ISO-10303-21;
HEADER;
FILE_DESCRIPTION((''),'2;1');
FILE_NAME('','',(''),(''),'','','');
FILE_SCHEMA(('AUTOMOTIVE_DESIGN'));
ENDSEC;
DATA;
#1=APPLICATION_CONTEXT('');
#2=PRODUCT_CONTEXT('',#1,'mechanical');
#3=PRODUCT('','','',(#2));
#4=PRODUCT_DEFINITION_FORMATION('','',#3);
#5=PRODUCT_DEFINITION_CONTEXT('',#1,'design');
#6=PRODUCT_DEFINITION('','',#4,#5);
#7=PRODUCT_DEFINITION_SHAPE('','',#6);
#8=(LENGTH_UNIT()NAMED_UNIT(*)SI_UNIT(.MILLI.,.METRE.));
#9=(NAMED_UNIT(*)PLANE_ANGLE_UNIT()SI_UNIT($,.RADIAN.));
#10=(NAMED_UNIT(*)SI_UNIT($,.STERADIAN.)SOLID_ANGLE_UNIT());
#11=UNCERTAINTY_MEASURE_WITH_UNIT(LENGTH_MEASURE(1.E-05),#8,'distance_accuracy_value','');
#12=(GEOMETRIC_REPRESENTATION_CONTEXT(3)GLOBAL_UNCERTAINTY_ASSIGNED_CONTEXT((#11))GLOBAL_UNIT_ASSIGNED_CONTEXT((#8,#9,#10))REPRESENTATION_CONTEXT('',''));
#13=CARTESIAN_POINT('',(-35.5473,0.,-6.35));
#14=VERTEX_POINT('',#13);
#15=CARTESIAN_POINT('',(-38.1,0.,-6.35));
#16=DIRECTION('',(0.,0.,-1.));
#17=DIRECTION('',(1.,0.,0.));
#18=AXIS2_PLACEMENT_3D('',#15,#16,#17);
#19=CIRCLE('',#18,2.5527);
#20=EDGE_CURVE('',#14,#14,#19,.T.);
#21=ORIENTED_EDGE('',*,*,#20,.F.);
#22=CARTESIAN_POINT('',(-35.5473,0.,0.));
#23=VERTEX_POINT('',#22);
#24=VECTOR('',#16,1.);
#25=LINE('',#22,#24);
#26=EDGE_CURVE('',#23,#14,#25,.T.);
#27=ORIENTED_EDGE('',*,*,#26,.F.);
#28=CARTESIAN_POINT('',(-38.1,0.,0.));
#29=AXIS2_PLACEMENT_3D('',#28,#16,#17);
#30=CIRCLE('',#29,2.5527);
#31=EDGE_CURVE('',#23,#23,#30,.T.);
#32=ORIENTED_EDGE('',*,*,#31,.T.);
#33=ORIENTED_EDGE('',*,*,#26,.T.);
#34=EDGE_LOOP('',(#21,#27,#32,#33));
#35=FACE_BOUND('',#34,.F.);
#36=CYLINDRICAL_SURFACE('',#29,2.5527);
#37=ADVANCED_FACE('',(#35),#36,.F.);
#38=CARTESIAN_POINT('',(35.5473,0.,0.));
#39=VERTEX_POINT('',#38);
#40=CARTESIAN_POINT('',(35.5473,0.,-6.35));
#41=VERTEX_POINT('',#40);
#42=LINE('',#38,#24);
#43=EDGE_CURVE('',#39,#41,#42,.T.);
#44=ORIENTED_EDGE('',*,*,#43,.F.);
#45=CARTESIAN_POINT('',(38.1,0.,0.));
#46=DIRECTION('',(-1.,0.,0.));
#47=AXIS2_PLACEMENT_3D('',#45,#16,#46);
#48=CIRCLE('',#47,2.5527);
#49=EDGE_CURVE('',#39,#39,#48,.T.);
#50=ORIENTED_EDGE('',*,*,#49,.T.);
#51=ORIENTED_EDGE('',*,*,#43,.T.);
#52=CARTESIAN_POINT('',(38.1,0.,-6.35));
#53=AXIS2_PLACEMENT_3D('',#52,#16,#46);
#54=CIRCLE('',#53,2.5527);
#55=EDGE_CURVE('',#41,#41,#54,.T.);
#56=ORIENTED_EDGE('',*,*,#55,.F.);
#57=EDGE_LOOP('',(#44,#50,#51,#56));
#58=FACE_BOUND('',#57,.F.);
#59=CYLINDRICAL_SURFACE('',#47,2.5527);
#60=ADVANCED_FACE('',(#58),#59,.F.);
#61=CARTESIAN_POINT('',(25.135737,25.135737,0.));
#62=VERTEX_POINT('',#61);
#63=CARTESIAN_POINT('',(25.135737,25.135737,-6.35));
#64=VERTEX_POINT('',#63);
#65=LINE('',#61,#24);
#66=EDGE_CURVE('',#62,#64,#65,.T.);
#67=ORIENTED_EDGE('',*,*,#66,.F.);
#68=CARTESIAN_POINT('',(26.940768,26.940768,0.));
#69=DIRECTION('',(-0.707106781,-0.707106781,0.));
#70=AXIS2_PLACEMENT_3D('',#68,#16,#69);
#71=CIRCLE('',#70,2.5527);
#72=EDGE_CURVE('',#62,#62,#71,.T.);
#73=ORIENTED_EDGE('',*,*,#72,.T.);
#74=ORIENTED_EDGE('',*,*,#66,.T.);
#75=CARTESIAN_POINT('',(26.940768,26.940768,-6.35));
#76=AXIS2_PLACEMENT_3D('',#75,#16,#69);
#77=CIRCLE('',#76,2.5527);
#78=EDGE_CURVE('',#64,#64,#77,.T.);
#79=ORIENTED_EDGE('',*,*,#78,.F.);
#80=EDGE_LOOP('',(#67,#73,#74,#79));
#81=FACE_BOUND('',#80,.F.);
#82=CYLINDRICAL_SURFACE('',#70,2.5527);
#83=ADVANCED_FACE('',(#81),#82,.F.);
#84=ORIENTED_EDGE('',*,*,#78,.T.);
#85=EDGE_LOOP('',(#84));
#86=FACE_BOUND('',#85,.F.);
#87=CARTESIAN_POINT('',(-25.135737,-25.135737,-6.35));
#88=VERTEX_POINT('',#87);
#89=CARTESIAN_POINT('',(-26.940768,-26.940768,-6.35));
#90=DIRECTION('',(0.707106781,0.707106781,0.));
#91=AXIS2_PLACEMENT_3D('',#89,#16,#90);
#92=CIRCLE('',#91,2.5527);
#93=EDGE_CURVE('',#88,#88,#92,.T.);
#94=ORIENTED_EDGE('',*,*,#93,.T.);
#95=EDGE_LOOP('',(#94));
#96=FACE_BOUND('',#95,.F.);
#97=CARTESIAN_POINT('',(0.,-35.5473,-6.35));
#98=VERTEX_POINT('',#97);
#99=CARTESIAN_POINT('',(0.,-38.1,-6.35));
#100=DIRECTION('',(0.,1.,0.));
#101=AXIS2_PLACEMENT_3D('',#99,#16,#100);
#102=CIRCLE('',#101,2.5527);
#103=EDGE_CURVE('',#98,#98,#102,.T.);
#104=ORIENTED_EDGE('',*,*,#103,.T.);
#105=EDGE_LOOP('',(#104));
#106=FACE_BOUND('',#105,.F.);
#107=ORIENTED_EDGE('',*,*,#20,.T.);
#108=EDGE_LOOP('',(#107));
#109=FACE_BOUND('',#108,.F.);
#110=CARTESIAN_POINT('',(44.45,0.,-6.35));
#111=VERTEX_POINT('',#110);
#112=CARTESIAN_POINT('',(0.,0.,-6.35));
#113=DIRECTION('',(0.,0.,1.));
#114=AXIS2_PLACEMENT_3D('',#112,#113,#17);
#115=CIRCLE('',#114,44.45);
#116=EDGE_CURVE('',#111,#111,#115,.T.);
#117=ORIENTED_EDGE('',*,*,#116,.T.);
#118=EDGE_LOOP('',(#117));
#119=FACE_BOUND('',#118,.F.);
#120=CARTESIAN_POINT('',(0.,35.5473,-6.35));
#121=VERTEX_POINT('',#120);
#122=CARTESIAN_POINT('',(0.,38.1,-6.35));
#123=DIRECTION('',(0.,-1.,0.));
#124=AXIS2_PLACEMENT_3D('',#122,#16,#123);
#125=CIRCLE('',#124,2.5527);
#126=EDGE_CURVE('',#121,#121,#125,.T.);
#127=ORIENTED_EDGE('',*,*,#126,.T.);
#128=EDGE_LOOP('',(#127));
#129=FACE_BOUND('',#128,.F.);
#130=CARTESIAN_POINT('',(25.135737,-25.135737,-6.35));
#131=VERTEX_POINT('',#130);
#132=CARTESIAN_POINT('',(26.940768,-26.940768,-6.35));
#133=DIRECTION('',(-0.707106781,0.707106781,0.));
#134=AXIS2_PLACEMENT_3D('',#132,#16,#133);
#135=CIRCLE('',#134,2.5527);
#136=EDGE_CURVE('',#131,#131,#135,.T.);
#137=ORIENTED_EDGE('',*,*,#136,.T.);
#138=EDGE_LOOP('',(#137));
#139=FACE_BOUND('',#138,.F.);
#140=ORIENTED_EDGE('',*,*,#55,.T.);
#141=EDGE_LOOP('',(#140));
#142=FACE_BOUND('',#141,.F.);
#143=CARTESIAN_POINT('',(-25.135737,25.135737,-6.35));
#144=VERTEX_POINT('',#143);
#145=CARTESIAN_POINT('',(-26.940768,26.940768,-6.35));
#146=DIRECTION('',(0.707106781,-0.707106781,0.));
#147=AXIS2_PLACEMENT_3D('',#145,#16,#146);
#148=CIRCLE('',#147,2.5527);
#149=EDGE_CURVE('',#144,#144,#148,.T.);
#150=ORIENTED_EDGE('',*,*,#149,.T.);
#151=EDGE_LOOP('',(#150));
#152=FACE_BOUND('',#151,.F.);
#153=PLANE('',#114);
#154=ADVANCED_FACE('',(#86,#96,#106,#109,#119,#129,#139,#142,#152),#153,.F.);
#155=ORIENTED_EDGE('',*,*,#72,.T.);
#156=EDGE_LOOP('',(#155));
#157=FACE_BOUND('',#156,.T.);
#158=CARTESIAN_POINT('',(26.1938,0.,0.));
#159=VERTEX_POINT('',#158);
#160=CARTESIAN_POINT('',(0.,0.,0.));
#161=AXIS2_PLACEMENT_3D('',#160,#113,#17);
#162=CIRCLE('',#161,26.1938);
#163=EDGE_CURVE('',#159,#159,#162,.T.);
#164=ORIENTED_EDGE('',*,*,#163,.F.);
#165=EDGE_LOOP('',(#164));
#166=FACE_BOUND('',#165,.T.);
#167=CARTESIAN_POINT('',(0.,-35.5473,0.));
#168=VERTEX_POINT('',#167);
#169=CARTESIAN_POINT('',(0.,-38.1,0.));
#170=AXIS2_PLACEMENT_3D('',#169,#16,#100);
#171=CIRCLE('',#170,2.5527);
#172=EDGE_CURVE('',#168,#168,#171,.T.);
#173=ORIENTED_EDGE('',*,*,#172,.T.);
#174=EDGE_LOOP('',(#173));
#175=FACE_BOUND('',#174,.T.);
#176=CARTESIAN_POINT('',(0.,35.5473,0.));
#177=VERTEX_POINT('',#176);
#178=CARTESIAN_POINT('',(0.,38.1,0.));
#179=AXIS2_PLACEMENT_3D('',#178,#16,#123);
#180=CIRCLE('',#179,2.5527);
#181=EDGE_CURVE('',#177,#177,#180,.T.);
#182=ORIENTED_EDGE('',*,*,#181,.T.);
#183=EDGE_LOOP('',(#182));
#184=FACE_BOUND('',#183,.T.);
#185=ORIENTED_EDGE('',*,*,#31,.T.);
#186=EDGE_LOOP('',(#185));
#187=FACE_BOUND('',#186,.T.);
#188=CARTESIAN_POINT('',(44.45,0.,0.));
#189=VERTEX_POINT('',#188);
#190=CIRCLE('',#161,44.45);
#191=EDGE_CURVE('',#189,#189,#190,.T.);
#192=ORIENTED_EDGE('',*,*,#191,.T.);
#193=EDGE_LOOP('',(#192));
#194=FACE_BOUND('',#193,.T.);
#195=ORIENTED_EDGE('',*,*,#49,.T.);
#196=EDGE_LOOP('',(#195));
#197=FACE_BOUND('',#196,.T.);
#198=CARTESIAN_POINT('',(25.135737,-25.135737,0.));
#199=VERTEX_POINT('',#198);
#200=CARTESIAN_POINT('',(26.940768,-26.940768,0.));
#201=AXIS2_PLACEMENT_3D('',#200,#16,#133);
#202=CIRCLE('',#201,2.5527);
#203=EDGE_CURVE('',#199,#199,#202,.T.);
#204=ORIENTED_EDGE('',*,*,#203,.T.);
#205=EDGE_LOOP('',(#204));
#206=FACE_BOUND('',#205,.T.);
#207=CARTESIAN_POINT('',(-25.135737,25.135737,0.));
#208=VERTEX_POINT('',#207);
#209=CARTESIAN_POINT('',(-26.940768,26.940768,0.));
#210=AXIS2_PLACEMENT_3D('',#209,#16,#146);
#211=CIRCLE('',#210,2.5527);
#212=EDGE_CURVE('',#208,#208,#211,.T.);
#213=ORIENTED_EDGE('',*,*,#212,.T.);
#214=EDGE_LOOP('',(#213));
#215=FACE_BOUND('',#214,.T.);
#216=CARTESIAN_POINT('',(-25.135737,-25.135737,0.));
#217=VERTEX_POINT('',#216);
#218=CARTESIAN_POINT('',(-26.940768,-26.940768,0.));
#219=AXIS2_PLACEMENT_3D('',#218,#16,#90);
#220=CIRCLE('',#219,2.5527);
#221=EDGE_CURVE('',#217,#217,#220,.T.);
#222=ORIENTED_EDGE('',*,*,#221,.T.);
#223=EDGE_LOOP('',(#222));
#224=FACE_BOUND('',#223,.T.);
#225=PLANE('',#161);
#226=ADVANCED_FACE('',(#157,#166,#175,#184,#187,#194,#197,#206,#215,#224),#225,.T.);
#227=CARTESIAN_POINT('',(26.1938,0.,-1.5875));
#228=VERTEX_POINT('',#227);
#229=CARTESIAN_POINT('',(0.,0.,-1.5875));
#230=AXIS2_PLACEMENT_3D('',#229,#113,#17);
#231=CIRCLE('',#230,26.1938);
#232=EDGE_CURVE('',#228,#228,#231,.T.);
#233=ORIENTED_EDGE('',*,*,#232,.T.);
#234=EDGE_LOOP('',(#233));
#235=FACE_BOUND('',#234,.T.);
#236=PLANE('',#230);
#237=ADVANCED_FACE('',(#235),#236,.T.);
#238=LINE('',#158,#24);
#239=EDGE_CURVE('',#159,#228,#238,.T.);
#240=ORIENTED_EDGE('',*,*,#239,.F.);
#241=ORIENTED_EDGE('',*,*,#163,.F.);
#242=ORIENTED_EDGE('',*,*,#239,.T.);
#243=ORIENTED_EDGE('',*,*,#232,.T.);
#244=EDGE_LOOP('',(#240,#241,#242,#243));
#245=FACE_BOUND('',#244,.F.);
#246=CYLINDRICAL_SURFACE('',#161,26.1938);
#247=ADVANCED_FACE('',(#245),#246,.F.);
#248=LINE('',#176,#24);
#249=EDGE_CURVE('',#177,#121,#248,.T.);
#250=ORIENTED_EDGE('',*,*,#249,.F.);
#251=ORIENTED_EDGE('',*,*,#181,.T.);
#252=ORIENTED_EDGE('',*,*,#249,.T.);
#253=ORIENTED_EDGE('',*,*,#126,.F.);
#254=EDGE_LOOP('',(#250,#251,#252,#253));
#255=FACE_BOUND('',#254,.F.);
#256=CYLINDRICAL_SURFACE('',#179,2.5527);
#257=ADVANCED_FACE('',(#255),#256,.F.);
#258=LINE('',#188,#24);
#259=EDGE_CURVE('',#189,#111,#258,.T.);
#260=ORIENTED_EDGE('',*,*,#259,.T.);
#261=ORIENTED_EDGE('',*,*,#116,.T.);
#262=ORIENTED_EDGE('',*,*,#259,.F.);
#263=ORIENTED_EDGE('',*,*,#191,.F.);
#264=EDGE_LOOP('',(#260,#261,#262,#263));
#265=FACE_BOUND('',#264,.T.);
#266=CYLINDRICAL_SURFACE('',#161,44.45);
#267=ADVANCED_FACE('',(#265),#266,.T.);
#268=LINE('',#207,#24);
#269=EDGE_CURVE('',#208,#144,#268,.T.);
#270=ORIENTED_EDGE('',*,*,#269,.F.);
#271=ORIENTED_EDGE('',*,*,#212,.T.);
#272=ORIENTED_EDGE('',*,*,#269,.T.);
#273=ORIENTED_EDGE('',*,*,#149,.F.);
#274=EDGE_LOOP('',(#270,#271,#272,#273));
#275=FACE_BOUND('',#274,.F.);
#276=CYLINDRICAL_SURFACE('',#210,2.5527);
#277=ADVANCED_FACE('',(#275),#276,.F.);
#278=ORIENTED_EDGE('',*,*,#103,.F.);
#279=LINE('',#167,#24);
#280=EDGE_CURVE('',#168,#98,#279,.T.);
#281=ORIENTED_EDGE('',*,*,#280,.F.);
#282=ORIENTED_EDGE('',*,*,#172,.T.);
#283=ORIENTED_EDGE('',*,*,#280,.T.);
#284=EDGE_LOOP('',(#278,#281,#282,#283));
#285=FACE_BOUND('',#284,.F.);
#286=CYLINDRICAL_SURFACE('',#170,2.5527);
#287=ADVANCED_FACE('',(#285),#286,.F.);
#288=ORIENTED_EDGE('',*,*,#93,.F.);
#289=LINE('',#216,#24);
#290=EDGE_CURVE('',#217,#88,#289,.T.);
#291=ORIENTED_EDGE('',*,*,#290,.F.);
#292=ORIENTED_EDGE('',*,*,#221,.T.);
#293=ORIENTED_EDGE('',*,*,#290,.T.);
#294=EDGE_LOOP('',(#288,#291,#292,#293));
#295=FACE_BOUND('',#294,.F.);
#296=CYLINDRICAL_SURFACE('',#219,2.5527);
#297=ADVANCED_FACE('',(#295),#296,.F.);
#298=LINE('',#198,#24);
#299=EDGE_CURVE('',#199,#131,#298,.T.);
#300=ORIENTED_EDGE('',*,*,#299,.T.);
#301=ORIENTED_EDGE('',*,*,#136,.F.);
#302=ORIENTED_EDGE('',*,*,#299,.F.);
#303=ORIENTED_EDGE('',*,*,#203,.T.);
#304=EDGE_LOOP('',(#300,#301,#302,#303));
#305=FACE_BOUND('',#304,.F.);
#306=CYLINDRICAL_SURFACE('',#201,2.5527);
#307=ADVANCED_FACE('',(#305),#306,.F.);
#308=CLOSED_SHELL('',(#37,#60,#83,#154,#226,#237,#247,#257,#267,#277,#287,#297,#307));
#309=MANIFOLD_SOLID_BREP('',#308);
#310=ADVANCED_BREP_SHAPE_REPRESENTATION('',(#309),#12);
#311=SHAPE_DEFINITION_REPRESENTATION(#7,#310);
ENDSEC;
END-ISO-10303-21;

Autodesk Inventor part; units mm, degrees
ref_plane "YZ Plane" through (0, 0, 0) normal (1, 0, 0) x (0, 1, 0)
ref_plane "XZ Plane" through (0, 0, 0) normal (0, 1, 0) x (-1, 0, 0)
ref_plane "XY Plane" through (0, 0, 0) normal (0, 0, 1) x (1, 0, 0)
sketch "Sketch1" plane through (0, 0, 0) normal (0, 0, 1) x (1, 0, 0)
  circle A0 centre (0, 0) radius 44.45
  dimension "d0" = 88.9
extrude "Extrusion1" add sketch "Sketch1" against normal blind 6.35
sketch "Sketch2" plane through (0, 0, 0) normal (0, 0, 1) x (1, 0, 0)
  circle A0 centre (0, 0) radius 44.45 construction
  circle A1 centre (0, 0) radius 38.1 construction
  point P0 (0, 38.1)
  dimension "d3" = 76.2
hole "Hole1" at (0, 38.1, 0) direction (0, 0, -1) diameter 5.1054 end through all clearance for "Flat Head Machine Screw (82)" size "#10" standard "Ansi Unified Screw Threads"
pattern_circular "Circular Pattern1" count 8 over 360 about axis through (0, 0, 0) along (0, 0, -1) of "Hole1"
sketch "Sketch3" plane through (0, 0, 0) normal (0, 0, 1) x (1, 0, 0)
  circle A0 centre (0, 0) radius 26.1938
  dimension "d14" = 52.3875
extrude "Extrusion2" cut sketch "Sketch3" against normal blind 1.5875
properties part number "EL2-A-003" material "Aluminum 6061"
